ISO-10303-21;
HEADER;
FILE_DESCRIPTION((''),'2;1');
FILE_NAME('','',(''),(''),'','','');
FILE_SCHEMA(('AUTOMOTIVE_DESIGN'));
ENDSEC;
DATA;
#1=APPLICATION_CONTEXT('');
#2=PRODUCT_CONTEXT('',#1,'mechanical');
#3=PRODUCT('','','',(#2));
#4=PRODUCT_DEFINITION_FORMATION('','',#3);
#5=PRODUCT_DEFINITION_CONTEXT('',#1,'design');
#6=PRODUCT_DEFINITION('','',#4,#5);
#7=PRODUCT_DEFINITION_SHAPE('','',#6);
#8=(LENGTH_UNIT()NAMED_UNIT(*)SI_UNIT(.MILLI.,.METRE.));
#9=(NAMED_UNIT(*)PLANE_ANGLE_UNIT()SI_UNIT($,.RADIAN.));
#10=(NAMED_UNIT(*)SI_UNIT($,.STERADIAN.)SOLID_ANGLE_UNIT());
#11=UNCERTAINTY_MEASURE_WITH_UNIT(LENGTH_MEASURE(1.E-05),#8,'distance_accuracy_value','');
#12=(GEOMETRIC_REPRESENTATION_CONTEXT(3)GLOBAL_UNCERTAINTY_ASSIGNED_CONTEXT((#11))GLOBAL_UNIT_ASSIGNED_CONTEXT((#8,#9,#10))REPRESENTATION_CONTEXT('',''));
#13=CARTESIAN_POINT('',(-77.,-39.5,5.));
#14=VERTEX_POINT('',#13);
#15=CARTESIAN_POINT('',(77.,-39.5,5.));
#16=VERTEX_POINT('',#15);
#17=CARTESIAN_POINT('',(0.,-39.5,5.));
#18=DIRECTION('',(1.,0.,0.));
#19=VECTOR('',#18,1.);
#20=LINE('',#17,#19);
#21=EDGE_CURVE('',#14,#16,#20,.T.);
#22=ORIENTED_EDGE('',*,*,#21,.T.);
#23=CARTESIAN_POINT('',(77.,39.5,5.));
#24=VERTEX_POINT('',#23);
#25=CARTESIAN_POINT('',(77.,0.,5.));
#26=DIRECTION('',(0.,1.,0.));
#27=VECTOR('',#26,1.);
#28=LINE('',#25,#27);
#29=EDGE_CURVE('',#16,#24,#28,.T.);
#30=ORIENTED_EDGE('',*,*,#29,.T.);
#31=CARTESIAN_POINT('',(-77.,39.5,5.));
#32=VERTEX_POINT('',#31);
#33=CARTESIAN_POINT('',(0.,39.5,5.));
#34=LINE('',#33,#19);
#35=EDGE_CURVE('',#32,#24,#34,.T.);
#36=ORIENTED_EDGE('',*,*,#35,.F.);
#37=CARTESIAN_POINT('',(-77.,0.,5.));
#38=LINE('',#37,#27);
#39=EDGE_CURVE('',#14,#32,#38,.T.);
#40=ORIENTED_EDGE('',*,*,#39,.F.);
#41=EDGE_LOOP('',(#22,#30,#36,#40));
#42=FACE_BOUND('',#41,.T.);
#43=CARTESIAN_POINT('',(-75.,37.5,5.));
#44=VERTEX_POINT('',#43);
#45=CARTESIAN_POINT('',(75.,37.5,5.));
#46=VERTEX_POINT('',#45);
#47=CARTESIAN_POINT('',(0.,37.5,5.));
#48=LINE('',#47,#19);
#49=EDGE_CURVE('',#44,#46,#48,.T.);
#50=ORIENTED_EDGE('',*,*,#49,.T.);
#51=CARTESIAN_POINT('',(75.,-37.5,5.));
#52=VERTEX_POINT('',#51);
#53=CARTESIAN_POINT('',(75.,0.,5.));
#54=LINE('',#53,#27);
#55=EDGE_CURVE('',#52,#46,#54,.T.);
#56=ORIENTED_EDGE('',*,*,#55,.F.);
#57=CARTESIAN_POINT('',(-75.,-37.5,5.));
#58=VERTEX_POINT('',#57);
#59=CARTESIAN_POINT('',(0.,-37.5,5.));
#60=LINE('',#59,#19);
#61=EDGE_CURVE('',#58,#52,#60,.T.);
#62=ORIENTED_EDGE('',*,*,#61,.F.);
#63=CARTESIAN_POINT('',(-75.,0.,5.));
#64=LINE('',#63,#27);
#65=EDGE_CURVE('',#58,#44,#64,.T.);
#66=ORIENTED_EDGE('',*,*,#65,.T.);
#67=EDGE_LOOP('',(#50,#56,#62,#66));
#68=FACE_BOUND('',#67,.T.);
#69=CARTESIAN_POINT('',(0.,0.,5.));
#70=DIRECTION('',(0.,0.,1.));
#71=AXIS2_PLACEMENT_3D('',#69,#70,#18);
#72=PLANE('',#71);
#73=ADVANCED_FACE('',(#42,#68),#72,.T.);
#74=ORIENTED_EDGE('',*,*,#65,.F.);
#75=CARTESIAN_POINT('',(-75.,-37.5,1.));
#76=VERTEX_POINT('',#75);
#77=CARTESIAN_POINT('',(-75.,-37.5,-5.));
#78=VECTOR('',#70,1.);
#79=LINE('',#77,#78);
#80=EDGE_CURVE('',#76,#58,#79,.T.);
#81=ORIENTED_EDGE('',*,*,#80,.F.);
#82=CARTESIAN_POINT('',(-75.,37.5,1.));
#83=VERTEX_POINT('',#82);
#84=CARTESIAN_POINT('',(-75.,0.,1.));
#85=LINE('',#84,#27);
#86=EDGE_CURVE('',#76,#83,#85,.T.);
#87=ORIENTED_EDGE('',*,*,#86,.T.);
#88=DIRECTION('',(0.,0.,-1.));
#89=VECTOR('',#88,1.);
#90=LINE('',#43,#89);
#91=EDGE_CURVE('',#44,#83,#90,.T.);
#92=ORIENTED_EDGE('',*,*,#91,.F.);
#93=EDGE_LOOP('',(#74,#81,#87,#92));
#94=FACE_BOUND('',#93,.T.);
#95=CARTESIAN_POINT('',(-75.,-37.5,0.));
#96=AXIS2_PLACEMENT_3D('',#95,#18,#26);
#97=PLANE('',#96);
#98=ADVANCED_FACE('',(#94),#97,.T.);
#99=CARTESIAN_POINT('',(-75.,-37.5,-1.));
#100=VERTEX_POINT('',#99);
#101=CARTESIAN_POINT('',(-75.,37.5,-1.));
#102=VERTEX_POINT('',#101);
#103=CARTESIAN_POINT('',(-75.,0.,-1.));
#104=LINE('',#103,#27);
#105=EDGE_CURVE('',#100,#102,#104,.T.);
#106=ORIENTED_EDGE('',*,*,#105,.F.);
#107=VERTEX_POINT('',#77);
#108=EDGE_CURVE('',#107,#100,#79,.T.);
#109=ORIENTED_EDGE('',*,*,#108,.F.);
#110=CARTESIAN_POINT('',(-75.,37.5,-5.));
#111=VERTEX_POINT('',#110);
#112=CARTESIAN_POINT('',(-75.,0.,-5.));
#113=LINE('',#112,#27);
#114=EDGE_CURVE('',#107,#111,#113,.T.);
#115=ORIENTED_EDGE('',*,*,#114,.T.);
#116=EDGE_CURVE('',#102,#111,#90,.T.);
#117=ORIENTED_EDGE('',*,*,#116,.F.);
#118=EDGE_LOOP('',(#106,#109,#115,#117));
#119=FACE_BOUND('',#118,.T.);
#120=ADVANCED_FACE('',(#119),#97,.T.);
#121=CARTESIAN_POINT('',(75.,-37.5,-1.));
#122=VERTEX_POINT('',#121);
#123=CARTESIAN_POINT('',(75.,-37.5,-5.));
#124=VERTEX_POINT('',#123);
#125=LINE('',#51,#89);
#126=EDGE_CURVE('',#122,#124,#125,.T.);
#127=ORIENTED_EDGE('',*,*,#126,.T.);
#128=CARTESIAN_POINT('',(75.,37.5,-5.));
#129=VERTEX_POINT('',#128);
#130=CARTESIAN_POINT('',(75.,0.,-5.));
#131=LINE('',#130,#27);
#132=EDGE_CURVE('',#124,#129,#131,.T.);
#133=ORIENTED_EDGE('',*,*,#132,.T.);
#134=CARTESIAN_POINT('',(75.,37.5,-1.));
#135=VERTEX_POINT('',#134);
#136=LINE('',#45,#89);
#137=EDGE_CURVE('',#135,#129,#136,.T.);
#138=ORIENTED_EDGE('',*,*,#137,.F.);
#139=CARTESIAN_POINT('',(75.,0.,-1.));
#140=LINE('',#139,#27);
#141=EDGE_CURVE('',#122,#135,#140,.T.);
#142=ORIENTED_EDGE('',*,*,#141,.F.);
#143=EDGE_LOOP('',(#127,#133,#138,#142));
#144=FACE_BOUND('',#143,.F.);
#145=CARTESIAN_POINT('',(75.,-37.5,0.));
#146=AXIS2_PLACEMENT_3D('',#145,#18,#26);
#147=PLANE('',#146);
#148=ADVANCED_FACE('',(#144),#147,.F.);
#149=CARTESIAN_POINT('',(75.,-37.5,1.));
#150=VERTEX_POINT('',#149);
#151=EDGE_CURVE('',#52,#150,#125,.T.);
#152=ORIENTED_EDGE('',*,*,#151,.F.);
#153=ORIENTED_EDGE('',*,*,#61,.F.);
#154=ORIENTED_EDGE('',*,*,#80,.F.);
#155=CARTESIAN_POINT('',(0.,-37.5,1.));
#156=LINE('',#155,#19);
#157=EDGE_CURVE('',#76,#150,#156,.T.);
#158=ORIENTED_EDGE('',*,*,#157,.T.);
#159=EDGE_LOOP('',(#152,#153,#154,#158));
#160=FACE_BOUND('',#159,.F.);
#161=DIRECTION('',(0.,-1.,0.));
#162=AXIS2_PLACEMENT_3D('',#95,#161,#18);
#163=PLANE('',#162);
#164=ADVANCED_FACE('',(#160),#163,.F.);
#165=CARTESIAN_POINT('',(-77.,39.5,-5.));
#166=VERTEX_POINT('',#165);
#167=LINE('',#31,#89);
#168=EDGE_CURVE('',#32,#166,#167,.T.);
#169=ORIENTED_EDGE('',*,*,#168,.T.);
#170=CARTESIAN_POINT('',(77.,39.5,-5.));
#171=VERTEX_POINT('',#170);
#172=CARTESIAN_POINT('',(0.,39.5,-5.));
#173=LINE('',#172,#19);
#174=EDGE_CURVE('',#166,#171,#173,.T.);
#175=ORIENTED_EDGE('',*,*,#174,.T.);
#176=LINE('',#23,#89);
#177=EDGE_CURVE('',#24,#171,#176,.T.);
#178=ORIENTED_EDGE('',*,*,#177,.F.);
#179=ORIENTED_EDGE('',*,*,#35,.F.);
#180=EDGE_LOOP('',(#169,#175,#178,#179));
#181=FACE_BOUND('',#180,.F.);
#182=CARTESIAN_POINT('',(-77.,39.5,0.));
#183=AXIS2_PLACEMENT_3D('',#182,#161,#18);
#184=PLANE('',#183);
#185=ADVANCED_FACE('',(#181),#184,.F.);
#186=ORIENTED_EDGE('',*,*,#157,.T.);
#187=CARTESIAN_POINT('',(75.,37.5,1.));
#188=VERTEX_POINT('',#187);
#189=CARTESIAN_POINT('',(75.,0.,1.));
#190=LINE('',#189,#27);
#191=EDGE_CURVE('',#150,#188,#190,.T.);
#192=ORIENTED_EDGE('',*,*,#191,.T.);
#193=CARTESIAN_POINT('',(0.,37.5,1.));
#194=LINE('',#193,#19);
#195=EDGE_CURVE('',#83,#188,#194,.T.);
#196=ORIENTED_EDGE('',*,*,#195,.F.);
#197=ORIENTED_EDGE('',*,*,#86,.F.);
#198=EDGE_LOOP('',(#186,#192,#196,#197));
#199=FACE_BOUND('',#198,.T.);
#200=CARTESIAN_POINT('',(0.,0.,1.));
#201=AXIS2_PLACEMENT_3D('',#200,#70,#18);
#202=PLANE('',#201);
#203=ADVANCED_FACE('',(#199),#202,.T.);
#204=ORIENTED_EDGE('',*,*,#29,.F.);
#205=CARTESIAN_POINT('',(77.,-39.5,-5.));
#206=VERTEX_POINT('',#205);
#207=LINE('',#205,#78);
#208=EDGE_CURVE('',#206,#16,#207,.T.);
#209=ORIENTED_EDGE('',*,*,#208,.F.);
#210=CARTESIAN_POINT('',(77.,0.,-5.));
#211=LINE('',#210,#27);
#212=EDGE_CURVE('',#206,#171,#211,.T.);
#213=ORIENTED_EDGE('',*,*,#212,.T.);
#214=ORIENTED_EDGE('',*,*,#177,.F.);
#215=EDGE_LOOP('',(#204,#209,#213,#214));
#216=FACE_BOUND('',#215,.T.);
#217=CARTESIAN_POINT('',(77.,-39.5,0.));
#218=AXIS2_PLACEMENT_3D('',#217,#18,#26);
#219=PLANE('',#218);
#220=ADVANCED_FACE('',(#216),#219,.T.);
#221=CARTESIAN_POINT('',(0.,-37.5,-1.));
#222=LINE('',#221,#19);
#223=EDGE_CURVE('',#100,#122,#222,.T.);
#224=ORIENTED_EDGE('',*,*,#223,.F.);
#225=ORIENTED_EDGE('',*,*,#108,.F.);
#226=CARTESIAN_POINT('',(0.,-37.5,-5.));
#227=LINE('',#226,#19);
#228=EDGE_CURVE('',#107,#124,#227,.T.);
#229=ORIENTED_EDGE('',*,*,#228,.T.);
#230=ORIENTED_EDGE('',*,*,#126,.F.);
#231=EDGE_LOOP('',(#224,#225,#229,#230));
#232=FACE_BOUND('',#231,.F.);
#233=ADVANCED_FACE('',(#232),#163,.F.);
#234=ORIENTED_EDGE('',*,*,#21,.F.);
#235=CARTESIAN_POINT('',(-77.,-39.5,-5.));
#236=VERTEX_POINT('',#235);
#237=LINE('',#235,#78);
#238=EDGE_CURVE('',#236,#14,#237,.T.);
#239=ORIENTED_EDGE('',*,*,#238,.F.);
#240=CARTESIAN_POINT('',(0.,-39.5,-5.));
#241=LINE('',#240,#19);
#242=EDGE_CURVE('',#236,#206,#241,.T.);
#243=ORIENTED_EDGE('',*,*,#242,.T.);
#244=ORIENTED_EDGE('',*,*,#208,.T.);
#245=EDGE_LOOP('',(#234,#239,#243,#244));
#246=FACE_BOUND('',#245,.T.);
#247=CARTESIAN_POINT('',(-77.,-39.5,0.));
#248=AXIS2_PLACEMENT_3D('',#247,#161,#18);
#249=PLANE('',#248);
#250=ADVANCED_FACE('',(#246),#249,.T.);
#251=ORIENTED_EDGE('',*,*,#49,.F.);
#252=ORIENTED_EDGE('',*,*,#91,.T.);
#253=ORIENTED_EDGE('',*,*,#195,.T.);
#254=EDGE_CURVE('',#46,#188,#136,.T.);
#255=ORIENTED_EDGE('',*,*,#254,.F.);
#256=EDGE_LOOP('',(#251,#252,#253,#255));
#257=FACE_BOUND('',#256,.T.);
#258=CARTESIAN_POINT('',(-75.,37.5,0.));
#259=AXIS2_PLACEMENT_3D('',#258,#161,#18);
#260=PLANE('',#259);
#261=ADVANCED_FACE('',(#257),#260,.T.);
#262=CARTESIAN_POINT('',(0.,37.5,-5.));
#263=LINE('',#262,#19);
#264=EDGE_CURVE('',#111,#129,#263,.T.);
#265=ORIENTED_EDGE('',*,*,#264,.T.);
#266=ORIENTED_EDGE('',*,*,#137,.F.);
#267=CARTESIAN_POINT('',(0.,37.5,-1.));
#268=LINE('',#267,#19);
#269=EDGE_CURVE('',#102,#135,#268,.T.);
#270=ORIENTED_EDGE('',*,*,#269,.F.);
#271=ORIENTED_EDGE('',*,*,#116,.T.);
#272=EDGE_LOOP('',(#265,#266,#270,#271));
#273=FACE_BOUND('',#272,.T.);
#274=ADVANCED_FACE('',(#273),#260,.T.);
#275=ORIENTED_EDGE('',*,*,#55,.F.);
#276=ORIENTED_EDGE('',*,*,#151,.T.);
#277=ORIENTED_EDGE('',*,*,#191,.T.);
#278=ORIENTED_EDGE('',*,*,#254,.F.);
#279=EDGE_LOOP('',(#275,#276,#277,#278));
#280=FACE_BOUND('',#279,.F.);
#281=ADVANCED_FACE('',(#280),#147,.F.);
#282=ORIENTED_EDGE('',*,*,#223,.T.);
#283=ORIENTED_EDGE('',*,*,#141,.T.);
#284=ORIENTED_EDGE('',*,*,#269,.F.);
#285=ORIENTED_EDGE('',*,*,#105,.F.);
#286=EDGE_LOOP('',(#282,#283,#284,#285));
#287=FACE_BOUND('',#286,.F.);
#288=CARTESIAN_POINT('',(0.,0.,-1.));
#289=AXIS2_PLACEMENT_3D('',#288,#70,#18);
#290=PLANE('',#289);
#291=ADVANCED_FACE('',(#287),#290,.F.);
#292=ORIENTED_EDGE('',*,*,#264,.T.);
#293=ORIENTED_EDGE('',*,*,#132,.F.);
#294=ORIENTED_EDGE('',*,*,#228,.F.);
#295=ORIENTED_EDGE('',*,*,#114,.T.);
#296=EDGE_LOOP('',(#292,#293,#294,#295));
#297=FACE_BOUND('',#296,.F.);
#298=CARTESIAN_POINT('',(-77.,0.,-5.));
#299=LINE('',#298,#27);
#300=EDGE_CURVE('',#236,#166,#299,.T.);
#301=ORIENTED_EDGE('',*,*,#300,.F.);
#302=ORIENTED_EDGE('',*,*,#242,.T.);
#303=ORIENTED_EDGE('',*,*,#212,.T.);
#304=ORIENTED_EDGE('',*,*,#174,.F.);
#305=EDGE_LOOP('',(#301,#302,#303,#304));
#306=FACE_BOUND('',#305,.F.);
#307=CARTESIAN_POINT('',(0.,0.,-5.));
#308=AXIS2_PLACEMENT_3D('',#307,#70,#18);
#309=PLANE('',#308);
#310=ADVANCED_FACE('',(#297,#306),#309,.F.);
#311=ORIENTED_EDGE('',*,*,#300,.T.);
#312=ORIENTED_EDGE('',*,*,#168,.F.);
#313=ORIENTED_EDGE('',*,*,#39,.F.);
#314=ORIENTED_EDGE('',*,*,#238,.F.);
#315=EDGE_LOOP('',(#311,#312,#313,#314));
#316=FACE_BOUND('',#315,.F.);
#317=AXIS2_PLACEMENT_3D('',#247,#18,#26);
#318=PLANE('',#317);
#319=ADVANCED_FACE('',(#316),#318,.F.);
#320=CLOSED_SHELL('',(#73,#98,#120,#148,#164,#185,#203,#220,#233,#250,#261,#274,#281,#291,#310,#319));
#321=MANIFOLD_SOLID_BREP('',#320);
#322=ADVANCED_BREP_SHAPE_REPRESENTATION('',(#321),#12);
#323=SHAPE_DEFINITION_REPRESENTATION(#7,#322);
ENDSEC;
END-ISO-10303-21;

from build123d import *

# Parameters (mm, degrees)
SKETCH_W      = 150
SKETCH_H      = 75
PAD_DEPTH     = 1
SKETCH001_W   = 154
SKETCH001_H   = 79
SKETCH001_W_2 = 150
SKETCH001_H_2 = 75
PAD001_DEPTH  = 5


with BuildPart() as part:
    # Sketch → Pad (new body, symmetric)
    with BuildSketch(Plane.XY):
        Rectangle(SKETCH_W, SKETCH_H)
    extrude(amount=PAD_DEPTH, both=True)

    # Sketch001 → Pad001 (join, symmetric)
    with BuildSketch(Plane.XY):
        Rectangle(SKETCH001_W, SKETCH001_H)
        Rectangle(SKETCH001_W_2, SKETCH001_H_2, mode=Mode.SUBTRACT)
    extrude(amount=PAD001_DEPTH, both=True)


solid = part.part
